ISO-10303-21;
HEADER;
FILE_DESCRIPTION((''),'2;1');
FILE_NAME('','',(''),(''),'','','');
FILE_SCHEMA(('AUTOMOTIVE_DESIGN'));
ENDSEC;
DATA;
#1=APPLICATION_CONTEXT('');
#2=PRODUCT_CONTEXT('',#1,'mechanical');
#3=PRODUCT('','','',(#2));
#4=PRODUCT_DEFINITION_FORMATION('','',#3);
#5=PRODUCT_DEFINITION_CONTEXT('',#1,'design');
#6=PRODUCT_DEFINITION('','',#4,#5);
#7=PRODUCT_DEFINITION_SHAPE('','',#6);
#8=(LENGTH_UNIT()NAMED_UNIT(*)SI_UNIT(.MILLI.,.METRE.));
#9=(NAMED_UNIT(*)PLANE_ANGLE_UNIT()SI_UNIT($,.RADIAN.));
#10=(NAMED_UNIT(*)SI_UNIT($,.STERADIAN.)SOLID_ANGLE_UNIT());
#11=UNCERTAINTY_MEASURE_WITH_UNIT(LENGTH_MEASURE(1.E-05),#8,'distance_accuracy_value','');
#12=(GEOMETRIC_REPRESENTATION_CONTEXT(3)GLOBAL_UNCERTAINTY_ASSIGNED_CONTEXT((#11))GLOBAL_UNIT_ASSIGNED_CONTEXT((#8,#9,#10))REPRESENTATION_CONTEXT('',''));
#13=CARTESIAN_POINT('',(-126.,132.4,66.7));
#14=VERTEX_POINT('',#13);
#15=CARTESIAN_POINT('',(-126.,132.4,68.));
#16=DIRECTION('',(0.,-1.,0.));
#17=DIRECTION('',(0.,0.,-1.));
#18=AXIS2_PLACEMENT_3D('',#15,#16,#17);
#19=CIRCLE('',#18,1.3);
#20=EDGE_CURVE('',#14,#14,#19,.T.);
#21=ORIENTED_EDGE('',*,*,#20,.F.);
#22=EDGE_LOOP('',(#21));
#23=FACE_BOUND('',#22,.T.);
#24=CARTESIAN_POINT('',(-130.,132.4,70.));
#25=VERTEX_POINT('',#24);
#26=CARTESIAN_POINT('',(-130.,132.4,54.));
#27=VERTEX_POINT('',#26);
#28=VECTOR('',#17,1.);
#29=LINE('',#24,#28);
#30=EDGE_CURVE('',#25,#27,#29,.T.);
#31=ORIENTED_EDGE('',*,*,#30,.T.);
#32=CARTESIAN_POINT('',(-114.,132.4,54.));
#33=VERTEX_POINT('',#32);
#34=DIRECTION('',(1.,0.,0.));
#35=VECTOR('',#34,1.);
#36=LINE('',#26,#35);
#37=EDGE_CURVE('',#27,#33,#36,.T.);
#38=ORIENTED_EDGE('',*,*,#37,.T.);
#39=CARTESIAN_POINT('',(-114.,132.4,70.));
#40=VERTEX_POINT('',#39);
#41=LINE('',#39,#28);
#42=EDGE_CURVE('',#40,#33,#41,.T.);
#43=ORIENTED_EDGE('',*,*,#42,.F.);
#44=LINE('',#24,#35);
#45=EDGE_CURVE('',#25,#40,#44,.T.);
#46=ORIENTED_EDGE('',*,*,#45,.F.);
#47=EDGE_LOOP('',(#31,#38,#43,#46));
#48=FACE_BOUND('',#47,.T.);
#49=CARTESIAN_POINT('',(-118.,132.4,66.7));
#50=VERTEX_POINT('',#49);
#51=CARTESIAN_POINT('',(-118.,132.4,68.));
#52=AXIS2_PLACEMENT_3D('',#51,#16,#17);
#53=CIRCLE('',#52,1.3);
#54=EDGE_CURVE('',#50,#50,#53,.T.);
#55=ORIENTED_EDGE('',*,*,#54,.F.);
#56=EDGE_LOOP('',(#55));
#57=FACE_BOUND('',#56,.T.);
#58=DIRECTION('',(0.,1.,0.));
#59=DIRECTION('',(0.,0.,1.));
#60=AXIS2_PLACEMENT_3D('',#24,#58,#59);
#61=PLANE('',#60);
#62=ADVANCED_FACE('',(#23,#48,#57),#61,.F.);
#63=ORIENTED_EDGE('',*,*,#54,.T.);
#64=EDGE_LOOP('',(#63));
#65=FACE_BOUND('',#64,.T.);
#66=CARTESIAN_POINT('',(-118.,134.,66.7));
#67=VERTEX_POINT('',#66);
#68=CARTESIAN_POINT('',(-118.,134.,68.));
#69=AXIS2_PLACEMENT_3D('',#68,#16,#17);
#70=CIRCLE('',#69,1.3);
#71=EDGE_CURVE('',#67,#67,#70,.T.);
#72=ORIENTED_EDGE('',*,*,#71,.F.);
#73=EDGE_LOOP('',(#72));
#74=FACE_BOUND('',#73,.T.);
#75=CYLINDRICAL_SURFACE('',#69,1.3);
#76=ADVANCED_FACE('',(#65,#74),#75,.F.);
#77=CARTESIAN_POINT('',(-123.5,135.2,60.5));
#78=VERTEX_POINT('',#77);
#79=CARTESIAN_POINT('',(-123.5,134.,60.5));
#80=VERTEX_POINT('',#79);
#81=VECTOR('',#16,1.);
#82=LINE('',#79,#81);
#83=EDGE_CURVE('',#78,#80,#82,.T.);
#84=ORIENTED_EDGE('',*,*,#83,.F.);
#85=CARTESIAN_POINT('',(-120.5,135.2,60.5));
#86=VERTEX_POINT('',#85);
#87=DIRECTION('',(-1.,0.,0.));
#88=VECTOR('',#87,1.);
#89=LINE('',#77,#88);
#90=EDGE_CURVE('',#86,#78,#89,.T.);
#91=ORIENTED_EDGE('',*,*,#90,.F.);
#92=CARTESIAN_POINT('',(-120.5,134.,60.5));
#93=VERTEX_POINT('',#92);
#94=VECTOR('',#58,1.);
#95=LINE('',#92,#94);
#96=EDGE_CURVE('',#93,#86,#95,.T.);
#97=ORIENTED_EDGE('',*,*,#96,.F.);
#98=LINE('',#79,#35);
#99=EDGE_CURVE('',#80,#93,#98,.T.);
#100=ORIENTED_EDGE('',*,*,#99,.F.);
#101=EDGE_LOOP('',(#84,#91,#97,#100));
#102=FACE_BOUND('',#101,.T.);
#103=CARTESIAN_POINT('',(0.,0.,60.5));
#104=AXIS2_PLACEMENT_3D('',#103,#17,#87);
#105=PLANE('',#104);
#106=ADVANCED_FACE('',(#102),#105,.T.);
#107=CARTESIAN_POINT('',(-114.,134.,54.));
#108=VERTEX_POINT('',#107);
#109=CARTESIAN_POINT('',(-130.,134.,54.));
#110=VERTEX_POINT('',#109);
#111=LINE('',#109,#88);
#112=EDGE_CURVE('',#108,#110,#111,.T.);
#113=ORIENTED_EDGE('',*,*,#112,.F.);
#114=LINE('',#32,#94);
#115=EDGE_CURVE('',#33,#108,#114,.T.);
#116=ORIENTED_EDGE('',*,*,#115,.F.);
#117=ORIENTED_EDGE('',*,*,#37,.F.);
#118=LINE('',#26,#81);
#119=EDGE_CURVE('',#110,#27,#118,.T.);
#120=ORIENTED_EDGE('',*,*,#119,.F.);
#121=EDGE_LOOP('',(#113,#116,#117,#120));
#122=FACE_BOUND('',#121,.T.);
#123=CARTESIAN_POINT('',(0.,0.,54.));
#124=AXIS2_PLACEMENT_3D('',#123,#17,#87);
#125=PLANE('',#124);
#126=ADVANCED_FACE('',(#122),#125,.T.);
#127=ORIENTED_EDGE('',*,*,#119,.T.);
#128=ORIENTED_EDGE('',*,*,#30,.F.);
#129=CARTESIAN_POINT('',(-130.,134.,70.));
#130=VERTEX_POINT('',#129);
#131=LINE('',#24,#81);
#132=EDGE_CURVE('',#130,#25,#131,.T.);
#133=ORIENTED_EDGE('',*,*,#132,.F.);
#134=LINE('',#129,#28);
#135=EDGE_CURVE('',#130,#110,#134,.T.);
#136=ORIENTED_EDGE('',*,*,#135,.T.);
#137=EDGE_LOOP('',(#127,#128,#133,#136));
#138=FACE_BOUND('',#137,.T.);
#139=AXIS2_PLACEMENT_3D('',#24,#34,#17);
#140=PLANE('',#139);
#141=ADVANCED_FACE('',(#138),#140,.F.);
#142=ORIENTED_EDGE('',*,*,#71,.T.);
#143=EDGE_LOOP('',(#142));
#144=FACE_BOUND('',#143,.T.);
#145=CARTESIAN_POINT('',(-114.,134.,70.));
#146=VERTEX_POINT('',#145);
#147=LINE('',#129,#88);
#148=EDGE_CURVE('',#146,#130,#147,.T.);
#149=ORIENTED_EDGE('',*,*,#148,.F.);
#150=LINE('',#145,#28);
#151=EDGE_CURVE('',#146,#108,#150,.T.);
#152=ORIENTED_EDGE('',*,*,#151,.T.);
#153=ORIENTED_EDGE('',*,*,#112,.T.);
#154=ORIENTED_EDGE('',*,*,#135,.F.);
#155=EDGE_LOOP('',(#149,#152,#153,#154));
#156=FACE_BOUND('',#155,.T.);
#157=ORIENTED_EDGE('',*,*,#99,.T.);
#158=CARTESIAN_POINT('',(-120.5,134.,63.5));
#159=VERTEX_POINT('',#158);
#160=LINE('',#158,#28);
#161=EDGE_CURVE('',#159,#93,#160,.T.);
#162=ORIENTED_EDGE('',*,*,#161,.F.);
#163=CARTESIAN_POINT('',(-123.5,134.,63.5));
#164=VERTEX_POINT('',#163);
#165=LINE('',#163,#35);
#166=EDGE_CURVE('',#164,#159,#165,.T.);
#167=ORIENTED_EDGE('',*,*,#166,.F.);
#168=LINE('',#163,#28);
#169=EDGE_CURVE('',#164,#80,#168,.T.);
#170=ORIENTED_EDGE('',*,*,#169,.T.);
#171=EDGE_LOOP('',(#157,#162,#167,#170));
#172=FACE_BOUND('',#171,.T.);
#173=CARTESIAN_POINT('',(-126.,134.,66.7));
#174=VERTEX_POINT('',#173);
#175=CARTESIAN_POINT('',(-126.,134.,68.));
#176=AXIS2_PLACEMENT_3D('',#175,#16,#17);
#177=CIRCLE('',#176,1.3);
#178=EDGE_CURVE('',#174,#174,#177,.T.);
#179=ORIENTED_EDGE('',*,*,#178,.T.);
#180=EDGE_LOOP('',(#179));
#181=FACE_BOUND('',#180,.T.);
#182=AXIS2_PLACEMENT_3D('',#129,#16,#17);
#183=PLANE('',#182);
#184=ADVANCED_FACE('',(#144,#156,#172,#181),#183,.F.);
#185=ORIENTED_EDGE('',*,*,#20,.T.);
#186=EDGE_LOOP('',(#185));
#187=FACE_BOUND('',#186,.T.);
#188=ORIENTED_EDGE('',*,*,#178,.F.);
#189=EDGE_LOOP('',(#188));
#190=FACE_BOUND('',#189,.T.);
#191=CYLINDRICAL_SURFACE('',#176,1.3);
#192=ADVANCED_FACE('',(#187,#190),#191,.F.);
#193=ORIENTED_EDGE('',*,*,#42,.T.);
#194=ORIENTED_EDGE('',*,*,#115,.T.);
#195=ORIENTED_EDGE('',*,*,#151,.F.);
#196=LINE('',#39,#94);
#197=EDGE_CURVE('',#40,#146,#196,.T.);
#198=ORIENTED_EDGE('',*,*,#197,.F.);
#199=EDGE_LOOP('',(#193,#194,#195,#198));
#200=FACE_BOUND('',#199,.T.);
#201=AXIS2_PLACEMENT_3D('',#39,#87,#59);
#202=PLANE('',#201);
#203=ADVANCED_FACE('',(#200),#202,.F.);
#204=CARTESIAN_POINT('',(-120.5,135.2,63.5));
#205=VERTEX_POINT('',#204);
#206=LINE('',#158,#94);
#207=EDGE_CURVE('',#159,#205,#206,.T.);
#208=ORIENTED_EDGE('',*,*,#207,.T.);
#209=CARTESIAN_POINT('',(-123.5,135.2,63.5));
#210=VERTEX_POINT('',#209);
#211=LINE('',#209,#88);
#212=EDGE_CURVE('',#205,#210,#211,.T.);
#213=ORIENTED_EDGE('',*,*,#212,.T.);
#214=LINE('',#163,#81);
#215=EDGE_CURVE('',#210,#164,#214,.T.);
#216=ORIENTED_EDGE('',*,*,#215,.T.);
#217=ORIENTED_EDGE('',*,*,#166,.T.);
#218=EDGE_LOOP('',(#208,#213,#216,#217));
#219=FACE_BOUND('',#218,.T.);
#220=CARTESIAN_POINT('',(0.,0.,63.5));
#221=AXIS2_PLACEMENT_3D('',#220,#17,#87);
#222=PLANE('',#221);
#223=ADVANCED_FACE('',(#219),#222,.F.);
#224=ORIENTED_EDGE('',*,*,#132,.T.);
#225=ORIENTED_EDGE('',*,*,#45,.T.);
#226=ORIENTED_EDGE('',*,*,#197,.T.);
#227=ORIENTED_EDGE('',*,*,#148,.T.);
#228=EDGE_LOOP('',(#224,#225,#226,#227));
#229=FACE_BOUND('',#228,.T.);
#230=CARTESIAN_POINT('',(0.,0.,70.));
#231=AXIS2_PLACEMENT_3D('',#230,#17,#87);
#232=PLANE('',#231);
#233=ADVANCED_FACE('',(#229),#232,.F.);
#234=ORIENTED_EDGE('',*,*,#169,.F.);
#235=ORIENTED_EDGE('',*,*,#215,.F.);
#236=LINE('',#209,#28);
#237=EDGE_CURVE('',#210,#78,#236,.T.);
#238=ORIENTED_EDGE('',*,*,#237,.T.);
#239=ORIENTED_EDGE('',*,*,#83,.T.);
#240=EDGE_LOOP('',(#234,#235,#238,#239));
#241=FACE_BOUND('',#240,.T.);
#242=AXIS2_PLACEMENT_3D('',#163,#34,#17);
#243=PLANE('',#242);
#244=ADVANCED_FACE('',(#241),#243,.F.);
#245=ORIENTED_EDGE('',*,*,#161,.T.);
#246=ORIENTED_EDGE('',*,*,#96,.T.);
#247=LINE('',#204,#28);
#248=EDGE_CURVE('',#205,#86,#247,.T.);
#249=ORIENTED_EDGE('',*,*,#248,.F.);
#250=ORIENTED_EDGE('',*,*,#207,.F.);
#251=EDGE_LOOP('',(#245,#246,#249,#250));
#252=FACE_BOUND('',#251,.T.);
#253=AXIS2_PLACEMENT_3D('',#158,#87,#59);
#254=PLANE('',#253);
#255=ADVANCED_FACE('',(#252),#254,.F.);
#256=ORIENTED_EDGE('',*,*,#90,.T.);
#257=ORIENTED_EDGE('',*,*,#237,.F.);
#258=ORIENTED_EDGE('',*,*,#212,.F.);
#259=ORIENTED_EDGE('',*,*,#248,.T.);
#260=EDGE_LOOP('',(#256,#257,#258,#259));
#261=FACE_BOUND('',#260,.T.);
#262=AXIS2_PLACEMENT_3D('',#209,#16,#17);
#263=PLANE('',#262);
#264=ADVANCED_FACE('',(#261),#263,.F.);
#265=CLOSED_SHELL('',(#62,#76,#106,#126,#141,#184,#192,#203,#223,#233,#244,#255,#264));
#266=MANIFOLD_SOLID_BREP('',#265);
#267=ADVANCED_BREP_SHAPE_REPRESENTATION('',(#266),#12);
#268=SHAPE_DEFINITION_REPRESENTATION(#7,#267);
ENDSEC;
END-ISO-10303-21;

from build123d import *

# Parameters (mm, degrees)
V10_SHT_CANDIDATE_CARRIER16X16_START   = 54
SKETCH_2_W                             = 16
SKETCH_2_H                             = 1.6
V10_SHT_CANDIDATE_CARRIER16X16_DEPTH   = 16
V10_SHT_SENSING_PACKAGE_REARWARD_START = 60.5
SKETCH_3_W                             = 3
SKETCH_3_H                             = 1.2
V10_SHT_SENSING_PACKAGE_REARWARD_DEPTH = 3
SKETCH_4_R                             = 1.3
V10_SHT_TWO_CANDIDATE_HOLES8MM_DEPTH   = 1.6


with BuildPart() as part:
    # 草图2 → V10_SHT_candidate_carrier16x16 (new body)
    with BuildSketch(Plane.XY.offset(V10_SHT_CANDIDATE_CARRIER16X16_START)):
        with Locations((-122, 133.2)):
            Rectangle(SKETCH_2_W, SKETCH_2_H)
    extrude(amount=V10_SHT_CANDIDATE_CARRIER16X16_DEPTH)

    # 草图3 → V10_SHT_sensing_package_rearward (add)
    with BuildSketch(Plane.XY.offset(V10_SHT_SENSING_PACKAGE_REARWARD_START)):
        with Locations((-122, 134.6)):
            Rectangle(SKETCH_3_W, SKETCH_3_H)
    extrude(amount=V10_SHT_SENSING_PACKAGE_REARWARD_DEPTH)

    # 草图4 → V10_SHT_two_candidate_holes8mm (cut)
    with BuildSketch(Plane.XZ.offset(-132.4)):
        with Locations((-126, 68)):
            Circle(SKETCH_4_R)
        with Locations((-118, 68)):
            Circle(SKETCH_4_R)
    extrude(amount=-V10_SHT_TWO_CANDIDATE_HOLES8MM_DEPTH, mode=Mode.SUBTRACT)


solid = part.part
